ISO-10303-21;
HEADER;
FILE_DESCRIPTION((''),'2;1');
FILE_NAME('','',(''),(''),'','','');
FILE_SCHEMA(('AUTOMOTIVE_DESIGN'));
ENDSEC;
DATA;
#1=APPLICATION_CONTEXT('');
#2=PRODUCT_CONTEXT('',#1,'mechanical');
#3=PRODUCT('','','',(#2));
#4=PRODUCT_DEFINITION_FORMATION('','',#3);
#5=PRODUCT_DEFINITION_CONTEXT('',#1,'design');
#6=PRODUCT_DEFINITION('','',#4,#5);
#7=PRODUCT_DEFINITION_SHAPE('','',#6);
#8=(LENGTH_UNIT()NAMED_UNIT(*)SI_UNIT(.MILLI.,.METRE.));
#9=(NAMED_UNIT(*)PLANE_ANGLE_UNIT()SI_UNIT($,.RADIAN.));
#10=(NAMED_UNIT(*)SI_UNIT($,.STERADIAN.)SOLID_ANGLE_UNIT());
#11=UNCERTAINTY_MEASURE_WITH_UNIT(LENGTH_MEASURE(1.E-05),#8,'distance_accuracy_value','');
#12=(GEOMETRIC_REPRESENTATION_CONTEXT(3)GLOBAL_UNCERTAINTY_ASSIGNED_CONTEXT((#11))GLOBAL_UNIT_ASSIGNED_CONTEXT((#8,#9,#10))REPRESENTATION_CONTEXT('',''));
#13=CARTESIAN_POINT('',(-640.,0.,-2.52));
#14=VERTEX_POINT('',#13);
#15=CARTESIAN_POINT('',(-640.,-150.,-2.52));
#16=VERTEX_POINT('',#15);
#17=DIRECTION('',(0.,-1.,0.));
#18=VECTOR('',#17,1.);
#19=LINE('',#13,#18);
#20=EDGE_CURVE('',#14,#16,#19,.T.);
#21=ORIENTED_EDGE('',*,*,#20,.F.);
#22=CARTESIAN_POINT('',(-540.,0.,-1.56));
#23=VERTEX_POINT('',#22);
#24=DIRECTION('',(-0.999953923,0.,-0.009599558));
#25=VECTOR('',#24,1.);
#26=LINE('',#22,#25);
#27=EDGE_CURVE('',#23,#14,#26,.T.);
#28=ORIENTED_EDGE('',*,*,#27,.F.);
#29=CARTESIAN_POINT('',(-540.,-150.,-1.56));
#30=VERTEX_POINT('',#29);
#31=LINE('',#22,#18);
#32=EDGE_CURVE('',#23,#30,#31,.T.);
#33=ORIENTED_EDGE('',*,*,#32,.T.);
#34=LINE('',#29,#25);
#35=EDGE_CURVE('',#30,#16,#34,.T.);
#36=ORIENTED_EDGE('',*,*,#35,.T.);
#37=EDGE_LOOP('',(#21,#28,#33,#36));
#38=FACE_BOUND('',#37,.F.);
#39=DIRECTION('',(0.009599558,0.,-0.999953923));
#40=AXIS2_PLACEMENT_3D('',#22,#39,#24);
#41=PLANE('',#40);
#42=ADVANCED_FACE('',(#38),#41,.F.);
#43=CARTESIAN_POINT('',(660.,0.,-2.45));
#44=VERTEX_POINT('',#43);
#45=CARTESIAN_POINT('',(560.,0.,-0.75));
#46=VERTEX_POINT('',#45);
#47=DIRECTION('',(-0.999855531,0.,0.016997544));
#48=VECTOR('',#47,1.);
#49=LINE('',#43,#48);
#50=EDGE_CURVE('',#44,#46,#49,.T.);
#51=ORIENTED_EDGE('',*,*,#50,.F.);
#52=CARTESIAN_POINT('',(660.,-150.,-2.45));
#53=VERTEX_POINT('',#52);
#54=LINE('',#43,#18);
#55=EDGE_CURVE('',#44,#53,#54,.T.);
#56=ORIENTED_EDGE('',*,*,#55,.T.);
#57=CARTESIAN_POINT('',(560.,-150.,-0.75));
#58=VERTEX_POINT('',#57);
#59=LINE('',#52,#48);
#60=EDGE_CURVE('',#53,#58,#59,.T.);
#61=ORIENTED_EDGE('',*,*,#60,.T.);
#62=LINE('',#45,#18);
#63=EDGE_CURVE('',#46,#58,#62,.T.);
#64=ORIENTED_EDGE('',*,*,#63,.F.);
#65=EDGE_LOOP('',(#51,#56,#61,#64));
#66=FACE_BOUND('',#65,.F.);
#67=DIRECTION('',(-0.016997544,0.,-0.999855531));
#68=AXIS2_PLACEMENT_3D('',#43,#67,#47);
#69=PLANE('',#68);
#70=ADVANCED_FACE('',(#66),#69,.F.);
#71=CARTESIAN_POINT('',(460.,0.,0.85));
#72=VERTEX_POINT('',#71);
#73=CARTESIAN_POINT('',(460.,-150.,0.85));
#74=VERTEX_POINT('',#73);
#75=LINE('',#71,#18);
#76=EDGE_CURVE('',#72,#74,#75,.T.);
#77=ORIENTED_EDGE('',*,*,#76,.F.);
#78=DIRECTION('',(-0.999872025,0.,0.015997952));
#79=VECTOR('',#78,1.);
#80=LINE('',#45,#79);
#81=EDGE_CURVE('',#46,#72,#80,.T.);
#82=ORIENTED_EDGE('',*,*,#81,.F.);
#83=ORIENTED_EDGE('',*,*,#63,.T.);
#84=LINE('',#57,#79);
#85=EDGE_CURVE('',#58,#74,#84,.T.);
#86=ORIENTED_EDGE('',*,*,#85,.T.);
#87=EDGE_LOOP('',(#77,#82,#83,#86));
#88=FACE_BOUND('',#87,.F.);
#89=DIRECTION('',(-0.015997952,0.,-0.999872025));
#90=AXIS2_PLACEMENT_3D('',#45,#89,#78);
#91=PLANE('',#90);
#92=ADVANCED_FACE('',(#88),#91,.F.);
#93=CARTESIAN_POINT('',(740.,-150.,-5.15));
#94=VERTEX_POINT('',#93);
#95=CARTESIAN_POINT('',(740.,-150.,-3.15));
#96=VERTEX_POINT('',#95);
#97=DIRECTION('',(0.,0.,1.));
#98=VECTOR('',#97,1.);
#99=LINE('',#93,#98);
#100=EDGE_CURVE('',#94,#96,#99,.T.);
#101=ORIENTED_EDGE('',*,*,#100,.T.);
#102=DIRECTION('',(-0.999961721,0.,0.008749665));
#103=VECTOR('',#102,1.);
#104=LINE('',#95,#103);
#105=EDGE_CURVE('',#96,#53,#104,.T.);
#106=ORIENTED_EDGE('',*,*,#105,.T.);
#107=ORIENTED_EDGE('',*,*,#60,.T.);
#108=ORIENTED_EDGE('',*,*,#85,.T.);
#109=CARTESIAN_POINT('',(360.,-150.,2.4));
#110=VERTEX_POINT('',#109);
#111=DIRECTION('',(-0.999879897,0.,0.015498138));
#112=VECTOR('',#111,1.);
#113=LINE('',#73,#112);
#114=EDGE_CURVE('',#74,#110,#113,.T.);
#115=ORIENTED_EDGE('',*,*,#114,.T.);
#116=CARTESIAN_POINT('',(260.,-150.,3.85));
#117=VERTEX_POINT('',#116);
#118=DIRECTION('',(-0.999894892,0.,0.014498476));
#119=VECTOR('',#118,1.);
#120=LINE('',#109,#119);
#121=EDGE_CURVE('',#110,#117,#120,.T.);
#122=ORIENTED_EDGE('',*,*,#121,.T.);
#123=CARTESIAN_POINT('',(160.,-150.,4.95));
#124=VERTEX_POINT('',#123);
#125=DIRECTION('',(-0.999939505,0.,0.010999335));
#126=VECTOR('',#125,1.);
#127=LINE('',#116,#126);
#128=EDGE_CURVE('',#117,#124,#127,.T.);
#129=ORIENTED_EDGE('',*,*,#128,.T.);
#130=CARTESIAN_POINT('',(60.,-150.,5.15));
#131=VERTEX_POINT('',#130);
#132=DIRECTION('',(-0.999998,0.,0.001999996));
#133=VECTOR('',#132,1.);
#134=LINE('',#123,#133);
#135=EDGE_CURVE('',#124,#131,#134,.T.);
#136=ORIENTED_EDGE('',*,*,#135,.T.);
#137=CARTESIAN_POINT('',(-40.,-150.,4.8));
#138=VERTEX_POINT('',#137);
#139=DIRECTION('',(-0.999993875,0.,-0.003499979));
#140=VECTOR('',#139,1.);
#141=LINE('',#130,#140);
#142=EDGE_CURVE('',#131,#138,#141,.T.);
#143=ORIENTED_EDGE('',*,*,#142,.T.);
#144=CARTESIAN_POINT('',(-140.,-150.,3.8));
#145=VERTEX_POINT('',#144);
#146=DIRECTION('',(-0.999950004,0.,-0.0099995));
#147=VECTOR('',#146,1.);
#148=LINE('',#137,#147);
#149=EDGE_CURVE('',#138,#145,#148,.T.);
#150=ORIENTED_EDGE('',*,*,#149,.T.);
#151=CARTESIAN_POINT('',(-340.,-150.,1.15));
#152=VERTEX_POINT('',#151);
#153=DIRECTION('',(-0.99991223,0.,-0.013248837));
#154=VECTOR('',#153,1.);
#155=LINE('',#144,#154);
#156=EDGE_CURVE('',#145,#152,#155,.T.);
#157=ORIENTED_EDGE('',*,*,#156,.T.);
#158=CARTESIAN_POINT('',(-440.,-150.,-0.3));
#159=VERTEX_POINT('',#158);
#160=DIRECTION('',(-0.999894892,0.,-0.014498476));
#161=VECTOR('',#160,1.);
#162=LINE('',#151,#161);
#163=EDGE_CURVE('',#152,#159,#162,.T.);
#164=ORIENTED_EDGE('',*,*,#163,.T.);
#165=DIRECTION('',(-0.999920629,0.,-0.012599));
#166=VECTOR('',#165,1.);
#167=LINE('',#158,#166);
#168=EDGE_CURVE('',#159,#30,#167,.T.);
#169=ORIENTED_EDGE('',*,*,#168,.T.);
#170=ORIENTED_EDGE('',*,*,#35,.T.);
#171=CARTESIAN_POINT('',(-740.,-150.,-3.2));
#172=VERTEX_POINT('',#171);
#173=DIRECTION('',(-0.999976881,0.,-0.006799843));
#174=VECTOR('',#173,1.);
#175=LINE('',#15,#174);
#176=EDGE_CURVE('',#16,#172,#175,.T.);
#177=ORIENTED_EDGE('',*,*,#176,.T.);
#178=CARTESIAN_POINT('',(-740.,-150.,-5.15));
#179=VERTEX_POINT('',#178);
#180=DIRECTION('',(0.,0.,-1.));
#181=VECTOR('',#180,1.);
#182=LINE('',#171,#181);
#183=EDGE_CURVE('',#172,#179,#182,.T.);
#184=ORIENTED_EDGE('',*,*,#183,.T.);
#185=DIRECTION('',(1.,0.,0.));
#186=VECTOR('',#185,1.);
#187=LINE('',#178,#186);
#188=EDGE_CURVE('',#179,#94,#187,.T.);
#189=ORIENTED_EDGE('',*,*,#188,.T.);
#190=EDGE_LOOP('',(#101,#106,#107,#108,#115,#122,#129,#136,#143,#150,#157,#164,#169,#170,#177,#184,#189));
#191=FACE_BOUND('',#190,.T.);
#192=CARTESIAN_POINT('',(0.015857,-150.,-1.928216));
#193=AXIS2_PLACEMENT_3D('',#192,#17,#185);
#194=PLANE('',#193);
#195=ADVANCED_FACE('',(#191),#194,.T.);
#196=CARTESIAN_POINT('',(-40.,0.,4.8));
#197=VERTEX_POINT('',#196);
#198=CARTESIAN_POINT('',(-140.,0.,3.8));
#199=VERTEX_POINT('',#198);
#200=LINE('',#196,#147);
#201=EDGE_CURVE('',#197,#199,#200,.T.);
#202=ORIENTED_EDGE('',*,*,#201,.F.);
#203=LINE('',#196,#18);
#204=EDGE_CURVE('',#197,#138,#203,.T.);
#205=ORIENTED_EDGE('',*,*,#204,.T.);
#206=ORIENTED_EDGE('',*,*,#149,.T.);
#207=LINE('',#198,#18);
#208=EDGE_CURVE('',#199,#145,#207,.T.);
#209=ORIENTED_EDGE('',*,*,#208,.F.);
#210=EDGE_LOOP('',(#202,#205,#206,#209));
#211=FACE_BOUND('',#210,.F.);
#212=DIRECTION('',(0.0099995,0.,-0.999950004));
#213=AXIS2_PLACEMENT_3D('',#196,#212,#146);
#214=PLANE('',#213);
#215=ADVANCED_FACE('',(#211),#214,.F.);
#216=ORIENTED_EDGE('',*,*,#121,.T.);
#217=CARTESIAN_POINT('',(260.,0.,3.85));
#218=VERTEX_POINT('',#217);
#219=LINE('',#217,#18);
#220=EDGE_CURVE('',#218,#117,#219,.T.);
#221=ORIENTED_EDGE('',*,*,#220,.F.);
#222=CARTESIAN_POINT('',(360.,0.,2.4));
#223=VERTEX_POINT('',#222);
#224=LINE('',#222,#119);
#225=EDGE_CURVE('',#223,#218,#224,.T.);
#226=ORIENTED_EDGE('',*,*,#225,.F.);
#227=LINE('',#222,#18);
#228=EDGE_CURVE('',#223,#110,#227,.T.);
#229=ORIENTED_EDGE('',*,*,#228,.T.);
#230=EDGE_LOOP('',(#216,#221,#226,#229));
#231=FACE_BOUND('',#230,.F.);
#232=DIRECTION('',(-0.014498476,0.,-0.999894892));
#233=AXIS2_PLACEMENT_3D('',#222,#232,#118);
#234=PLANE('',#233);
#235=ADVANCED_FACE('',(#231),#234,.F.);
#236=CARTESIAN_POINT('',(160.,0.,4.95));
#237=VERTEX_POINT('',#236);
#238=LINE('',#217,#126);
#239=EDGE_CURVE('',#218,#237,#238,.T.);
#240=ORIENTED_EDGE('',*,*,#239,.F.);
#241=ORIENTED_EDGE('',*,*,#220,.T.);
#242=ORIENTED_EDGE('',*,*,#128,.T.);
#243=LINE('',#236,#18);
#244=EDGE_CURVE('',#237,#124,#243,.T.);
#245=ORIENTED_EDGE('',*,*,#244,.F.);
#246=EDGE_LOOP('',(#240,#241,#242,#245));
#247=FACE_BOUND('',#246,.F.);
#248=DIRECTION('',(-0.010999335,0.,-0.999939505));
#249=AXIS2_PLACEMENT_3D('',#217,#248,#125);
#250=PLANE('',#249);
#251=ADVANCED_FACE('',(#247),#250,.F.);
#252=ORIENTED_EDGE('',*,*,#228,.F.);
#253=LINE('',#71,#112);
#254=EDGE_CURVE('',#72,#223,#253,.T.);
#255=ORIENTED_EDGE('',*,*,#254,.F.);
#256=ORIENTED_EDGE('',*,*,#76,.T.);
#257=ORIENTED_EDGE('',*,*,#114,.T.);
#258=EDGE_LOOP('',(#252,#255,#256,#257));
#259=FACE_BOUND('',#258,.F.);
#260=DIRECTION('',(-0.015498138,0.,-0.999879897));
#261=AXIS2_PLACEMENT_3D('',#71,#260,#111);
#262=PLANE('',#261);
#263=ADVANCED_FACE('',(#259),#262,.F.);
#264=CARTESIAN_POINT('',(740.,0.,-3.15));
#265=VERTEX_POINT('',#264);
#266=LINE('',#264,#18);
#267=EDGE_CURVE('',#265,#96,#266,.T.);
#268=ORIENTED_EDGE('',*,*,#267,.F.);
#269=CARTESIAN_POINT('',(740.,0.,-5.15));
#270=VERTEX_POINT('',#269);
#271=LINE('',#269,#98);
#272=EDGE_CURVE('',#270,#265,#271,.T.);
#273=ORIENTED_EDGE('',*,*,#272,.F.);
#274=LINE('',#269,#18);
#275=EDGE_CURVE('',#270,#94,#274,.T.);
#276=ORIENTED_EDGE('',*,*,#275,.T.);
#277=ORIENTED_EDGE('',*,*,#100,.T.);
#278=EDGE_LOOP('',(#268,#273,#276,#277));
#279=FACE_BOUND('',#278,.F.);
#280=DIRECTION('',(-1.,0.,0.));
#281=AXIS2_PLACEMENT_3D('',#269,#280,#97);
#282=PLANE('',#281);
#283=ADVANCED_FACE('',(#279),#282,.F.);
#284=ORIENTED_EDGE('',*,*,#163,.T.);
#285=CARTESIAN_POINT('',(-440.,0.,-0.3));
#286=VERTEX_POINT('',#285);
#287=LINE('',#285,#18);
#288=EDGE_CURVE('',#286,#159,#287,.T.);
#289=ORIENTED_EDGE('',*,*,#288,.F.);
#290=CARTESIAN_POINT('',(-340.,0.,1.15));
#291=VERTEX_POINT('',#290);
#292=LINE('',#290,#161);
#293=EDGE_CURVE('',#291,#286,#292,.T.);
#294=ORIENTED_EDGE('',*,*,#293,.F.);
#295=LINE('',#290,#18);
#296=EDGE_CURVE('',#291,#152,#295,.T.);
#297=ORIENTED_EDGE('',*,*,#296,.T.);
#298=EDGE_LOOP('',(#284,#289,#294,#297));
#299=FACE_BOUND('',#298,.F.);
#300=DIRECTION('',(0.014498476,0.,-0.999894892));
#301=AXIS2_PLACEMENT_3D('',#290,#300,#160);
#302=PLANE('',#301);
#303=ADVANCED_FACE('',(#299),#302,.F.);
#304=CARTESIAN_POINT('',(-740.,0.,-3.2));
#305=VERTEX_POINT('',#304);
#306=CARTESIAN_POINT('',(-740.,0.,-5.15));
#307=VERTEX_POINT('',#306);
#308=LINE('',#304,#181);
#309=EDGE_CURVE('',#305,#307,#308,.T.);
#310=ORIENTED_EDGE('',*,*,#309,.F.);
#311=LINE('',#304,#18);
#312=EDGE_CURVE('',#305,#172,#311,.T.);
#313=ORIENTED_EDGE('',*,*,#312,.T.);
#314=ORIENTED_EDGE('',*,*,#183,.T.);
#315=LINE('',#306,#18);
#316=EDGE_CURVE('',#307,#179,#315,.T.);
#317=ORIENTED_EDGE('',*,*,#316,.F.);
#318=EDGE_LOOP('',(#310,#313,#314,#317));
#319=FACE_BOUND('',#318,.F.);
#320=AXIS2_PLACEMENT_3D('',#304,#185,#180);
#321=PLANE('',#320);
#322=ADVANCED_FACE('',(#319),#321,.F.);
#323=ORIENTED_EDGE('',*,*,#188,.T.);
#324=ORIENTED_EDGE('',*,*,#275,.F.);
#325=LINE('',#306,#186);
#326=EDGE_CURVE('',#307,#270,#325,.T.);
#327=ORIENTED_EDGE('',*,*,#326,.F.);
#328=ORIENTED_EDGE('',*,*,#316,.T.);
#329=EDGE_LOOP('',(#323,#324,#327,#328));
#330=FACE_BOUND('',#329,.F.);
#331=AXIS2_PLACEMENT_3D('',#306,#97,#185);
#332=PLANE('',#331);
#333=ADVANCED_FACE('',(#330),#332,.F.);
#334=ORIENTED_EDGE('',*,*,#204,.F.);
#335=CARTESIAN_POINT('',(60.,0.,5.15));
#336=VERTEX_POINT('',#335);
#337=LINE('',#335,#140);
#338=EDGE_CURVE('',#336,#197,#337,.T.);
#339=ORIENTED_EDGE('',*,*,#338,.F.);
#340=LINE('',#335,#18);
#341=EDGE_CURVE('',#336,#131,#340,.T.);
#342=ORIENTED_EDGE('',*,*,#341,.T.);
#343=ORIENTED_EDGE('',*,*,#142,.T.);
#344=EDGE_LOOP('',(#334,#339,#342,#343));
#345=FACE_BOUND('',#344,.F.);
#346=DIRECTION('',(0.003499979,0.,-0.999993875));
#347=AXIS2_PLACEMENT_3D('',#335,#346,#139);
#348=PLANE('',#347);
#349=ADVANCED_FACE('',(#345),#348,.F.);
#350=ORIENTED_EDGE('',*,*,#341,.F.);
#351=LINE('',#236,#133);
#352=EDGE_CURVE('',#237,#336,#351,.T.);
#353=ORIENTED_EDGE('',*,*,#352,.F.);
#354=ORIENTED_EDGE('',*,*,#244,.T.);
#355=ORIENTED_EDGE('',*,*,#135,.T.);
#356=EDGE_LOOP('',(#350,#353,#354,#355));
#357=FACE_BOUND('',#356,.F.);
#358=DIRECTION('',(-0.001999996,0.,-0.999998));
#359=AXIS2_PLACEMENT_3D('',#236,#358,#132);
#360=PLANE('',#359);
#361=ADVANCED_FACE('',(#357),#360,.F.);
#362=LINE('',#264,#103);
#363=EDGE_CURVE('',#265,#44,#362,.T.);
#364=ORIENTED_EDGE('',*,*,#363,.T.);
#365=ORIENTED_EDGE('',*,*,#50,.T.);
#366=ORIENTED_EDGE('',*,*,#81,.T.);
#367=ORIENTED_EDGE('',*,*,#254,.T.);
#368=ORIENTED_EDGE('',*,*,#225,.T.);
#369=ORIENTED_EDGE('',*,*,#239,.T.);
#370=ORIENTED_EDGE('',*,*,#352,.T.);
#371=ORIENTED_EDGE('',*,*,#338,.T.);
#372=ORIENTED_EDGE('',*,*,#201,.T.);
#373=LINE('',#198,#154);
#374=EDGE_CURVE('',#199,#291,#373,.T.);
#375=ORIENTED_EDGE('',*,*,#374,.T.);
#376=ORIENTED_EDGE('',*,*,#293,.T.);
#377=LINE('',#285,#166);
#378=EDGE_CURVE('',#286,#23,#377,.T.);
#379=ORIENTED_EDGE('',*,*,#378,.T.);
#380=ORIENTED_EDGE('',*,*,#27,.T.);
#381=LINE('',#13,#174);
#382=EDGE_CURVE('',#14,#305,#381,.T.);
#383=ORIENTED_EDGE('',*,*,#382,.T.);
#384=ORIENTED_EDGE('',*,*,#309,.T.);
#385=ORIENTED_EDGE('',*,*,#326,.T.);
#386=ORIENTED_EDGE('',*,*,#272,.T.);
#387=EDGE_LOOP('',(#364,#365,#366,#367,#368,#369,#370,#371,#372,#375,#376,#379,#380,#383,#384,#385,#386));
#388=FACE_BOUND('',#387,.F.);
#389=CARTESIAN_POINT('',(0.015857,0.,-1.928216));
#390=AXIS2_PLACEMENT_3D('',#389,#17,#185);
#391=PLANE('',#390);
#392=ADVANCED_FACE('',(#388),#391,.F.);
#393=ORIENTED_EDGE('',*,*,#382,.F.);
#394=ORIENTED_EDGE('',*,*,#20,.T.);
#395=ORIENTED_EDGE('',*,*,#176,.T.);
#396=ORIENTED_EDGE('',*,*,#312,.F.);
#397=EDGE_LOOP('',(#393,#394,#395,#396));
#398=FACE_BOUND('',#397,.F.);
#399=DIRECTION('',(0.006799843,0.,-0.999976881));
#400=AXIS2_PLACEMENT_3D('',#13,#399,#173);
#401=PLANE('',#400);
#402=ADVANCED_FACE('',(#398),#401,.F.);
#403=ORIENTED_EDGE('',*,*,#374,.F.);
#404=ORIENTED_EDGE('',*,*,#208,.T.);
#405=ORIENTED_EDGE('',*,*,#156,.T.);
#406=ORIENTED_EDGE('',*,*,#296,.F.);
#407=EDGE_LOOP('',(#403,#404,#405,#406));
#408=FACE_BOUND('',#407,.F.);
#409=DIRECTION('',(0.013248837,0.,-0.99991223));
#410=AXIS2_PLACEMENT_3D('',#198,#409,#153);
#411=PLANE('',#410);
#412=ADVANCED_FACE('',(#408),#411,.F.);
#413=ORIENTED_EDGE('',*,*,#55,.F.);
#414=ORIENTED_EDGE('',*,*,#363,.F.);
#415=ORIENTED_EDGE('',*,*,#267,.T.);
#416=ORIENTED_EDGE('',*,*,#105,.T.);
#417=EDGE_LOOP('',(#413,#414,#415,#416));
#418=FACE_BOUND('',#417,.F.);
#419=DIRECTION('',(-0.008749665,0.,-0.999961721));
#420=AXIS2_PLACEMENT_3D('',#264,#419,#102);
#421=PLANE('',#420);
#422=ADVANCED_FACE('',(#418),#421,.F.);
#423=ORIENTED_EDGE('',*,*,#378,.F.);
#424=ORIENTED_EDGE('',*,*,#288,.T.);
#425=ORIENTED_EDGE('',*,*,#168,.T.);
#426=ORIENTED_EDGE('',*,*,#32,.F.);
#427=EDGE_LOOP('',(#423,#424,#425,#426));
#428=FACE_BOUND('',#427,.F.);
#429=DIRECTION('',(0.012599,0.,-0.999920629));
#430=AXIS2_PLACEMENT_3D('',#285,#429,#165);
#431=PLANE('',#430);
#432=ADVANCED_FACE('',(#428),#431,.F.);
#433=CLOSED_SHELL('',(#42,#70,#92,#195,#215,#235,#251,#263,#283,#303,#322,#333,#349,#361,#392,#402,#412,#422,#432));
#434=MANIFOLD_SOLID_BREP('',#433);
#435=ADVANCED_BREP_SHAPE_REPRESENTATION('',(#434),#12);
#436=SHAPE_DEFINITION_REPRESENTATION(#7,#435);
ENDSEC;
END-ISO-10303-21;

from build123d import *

# Parameters (mm, degrees)
F1_DEPTH = 150


with BuildPart() as f1:
    # F0 (on Front) → F1 (new body)
    with BuildSketch(Plane.XZ):
        Polygon((-740, -3.2), (-740, -5.15), (740, -5.15), (740, -3.15), (660, -2.45), (560, -0.75), (460, 0.85), (360, 2.4), (260, 3.85), (160, 4.95), (60, 5.15), (-40, 4.8), (-140, 3.8), (-340, 1.15), (-440, -0.3), (-540, -1.56), (-640, -2.52), align=None)
    extrude(amount=F1_DEPTH)


solid = f1.part
